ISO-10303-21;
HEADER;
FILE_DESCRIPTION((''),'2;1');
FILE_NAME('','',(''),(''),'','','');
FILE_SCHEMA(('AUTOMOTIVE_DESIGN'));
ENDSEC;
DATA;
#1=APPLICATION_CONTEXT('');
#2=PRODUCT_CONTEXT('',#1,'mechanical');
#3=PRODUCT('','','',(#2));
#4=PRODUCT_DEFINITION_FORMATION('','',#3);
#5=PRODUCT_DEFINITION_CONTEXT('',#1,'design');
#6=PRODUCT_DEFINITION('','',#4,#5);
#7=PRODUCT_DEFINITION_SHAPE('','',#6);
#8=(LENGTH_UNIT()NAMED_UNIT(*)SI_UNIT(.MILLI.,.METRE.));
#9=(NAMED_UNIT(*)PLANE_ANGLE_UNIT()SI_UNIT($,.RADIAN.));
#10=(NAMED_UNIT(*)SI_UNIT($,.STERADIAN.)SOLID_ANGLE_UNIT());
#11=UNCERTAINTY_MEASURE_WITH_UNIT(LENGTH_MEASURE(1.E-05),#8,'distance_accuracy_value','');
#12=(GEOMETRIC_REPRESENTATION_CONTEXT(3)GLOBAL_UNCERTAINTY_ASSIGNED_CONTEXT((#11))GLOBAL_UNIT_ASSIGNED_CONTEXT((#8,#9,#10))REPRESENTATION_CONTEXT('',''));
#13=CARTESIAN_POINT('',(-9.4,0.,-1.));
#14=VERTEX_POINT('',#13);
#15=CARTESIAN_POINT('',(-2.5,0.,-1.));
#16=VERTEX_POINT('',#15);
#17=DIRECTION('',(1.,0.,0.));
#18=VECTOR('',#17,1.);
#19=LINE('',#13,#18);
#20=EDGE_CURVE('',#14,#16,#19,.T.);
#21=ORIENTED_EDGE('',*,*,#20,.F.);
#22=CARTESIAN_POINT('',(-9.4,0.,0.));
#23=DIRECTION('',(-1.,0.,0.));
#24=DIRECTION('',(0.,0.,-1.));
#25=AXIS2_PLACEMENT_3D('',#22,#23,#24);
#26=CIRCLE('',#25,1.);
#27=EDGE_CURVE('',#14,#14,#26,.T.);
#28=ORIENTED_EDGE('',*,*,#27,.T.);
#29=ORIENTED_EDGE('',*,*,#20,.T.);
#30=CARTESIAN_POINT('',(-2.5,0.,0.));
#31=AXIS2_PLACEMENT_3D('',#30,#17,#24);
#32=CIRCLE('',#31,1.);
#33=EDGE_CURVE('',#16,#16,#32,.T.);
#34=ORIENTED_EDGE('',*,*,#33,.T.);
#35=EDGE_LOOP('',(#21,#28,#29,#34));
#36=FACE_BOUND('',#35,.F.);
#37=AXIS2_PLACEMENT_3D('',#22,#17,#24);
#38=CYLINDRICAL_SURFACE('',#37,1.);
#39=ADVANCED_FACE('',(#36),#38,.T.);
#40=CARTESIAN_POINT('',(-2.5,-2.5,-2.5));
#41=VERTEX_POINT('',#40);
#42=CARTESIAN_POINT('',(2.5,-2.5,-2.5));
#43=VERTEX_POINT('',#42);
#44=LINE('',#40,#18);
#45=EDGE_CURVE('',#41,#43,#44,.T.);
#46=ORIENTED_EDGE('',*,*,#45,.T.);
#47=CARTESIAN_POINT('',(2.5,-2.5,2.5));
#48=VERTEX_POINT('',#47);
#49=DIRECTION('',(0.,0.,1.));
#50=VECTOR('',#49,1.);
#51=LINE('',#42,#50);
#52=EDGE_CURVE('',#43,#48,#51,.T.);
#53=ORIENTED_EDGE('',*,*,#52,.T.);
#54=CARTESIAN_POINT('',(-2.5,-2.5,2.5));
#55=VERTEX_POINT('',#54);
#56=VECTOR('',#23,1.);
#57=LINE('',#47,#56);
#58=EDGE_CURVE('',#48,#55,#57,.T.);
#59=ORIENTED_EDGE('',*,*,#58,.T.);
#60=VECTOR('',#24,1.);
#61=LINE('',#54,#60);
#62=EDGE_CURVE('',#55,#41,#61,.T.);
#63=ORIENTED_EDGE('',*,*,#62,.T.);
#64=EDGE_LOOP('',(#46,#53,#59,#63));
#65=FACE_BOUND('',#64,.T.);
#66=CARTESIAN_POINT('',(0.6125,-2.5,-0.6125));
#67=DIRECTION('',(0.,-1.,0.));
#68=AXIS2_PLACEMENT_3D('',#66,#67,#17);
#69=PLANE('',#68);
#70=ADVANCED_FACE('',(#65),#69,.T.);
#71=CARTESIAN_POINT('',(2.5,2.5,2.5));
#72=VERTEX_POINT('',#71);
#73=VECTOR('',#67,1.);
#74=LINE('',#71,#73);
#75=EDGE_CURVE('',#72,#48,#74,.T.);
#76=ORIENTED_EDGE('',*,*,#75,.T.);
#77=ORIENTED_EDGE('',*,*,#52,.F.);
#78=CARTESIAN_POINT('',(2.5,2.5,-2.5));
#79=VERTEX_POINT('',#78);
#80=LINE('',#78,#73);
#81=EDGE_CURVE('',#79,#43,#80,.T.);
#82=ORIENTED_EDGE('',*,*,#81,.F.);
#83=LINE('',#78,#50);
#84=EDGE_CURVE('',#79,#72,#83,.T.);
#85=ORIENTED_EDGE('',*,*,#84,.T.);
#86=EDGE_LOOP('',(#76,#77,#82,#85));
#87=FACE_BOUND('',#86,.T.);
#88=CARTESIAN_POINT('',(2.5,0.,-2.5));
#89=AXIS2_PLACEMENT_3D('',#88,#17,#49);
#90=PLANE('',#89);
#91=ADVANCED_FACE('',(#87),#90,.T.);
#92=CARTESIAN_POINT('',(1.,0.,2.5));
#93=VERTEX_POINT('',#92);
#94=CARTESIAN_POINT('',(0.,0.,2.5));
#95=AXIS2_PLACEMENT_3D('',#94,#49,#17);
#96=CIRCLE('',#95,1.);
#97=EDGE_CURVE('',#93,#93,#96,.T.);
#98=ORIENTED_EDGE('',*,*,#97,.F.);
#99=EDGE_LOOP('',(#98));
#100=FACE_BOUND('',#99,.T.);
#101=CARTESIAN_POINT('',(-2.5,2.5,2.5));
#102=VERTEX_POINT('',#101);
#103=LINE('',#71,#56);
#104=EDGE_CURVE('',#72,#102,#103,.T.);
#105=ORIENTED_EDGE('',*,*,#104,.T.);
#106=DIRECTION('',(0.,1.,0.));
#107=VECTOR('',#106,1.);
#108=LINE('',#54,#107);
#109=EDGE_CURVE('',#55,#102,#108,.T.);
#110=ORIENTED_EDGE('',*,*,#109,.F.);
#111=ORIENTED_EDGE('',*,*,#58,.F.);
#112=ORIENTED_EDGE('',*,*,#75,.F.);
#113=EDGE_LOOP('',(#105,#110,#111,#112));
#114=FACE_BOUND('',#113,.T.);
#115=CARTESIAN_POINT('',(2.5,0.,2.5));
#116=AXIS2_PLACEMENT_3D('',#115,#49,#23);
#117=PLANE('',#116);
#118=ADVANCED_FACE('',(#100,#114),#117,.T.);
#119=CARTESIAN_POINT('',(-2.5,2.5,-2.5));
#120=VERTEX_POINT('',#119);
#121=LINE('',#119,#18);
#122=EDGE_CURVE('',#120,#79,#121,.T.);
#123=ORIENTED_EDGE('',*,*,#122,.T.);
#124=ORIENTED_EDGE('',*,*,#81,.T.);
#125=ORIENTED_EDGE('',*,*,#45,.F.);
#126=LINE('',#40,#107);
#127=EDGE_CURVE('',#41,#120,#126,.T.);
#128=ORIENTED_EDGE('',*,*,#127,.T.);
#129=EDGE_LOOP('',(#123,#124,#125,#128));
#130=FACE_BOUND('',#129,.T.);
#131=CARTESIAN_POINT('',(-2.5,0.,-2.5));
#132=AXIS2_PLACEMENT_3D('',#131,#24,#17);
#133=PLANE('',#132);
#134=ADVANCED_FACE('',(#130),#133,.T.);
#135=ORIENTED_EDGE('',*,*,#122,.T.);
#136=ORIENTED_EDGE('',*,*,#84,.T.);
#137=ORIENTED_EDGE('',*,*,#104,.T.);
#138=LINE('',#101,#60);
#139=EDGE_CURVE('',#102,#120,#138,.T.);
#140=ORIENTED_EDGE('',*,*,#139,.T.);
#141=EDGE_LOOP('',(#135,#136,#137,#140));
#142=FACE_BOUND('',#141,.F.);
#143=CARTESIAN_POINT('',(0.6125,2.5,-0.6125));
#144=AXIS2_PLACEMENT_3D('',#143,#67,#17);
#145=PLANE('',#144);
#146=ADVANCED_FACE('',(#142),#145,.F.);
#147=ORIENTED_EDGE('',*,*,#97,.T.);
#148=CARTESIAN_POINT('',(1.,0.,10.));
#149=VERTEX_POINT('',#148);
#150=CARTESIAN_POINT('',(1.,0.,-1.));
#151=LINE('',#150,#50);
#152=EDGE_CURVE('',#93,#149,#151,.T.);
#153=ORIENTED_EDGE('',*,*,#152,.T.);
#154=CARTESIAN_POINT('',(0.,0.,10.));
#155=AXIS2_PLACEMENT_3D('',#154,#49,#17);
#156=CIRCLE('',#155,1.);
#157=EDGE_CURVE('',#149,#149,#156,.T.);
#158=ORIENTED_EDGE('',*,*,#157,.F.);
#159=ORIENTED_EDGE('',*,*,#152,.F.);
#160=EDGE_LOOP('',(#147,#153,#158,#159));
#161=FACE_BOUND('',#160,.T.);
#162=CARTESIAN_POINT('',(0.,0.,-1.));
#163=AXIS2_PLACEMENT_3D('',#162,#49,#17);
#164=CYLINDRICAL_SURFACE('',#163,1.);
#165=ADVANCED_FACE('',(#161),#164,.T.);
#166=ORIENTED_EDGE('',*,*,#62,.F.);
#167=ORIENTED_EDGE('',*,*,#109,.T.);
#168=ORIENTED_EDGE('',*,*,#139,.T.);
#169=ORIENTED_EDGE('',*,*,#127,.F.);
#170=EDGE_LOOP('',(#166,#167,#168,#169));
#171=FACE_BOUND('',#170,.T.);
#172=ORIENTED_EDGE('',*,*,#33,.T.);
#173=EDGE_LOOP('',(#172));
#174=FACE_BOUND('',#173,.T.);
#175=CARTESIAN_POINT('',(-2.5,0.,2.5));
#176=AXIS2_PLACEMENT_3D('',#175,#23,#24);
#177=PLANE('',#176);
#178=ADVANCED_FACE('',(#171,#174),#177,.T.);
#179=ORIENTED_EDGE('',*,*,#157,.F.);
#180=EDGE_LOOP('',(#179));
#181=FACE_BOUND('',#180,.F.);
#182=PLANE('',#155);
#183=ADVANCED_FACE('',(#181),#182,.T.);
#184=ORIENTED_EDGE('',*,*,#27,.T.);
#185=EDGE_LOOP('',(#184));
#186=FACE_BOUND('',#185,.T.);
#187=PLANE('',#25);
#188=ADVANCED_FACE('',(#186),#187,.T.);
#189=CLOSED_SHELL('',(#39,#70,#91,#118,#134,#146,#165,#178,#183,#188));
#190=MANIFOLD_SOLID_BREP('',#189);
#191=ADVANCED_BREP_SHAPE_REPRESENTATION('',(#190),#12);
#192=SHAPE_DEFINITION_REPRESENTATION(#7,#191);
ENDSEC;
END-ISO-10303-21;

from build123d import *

# Parameters (mm, degrees)
F0_W     = 6.9
F0_H     = 1
F0_W_2   = 1
F0_H_2   = 7.5
F0_W_3   = 2.5
F0_H_3   = 2.5
F3_DEPTH = 2.5


with BuildPart() as f1:
    # F0 (on Front) → F1 (revolve)
    with BuildSketch(Plane.XZ):
        Polygon((1, -1), (0, 0), (-2.5, 0), (-2.5, -1), align=None)
        with Locations((-5.95, -0.5)):
            Rectangle(F0_W, F0_H)
    revolve(axis=Axis((-4.7, 0, 0), (-1, 0, 0)))

    # F0 (on Front) → F2 (revolve)
    with BuildSketch(Plane.XZ):
        with Locations((0.5, 6.25)):
            Rectangle(F0_W_2, F0_H_2)
        Polygon((0, 2.5), (0, 0), (1, -1), (1, 2.5), align=None)
    revolve(axis=Axis((0, 0, 5), (0, 0, 1)))

    # F0 (on Front) → F3 (join, symmetric)
    with BuildSketch(Plane.XZ):
        Polygon((1, 2.5), (1, -1), (-2.5, -1), (-2.5, -2.5), (2.5, -2.5), (2.5, 2.5), align=None)
        with Locations((-1.25, 1.25)):
            Rectangle(F0_W_3, F0_H_3)
        Polygon((0, 2.5), (0, 0), (1, -1), (1, 2.5), align=None)
        Polygon((1, -1), (0, 0), (-2.5, 0), (-2.5, -1), align=None)
    extrude(amount=F3_DEPTH, both=True)


solid = f1.part
